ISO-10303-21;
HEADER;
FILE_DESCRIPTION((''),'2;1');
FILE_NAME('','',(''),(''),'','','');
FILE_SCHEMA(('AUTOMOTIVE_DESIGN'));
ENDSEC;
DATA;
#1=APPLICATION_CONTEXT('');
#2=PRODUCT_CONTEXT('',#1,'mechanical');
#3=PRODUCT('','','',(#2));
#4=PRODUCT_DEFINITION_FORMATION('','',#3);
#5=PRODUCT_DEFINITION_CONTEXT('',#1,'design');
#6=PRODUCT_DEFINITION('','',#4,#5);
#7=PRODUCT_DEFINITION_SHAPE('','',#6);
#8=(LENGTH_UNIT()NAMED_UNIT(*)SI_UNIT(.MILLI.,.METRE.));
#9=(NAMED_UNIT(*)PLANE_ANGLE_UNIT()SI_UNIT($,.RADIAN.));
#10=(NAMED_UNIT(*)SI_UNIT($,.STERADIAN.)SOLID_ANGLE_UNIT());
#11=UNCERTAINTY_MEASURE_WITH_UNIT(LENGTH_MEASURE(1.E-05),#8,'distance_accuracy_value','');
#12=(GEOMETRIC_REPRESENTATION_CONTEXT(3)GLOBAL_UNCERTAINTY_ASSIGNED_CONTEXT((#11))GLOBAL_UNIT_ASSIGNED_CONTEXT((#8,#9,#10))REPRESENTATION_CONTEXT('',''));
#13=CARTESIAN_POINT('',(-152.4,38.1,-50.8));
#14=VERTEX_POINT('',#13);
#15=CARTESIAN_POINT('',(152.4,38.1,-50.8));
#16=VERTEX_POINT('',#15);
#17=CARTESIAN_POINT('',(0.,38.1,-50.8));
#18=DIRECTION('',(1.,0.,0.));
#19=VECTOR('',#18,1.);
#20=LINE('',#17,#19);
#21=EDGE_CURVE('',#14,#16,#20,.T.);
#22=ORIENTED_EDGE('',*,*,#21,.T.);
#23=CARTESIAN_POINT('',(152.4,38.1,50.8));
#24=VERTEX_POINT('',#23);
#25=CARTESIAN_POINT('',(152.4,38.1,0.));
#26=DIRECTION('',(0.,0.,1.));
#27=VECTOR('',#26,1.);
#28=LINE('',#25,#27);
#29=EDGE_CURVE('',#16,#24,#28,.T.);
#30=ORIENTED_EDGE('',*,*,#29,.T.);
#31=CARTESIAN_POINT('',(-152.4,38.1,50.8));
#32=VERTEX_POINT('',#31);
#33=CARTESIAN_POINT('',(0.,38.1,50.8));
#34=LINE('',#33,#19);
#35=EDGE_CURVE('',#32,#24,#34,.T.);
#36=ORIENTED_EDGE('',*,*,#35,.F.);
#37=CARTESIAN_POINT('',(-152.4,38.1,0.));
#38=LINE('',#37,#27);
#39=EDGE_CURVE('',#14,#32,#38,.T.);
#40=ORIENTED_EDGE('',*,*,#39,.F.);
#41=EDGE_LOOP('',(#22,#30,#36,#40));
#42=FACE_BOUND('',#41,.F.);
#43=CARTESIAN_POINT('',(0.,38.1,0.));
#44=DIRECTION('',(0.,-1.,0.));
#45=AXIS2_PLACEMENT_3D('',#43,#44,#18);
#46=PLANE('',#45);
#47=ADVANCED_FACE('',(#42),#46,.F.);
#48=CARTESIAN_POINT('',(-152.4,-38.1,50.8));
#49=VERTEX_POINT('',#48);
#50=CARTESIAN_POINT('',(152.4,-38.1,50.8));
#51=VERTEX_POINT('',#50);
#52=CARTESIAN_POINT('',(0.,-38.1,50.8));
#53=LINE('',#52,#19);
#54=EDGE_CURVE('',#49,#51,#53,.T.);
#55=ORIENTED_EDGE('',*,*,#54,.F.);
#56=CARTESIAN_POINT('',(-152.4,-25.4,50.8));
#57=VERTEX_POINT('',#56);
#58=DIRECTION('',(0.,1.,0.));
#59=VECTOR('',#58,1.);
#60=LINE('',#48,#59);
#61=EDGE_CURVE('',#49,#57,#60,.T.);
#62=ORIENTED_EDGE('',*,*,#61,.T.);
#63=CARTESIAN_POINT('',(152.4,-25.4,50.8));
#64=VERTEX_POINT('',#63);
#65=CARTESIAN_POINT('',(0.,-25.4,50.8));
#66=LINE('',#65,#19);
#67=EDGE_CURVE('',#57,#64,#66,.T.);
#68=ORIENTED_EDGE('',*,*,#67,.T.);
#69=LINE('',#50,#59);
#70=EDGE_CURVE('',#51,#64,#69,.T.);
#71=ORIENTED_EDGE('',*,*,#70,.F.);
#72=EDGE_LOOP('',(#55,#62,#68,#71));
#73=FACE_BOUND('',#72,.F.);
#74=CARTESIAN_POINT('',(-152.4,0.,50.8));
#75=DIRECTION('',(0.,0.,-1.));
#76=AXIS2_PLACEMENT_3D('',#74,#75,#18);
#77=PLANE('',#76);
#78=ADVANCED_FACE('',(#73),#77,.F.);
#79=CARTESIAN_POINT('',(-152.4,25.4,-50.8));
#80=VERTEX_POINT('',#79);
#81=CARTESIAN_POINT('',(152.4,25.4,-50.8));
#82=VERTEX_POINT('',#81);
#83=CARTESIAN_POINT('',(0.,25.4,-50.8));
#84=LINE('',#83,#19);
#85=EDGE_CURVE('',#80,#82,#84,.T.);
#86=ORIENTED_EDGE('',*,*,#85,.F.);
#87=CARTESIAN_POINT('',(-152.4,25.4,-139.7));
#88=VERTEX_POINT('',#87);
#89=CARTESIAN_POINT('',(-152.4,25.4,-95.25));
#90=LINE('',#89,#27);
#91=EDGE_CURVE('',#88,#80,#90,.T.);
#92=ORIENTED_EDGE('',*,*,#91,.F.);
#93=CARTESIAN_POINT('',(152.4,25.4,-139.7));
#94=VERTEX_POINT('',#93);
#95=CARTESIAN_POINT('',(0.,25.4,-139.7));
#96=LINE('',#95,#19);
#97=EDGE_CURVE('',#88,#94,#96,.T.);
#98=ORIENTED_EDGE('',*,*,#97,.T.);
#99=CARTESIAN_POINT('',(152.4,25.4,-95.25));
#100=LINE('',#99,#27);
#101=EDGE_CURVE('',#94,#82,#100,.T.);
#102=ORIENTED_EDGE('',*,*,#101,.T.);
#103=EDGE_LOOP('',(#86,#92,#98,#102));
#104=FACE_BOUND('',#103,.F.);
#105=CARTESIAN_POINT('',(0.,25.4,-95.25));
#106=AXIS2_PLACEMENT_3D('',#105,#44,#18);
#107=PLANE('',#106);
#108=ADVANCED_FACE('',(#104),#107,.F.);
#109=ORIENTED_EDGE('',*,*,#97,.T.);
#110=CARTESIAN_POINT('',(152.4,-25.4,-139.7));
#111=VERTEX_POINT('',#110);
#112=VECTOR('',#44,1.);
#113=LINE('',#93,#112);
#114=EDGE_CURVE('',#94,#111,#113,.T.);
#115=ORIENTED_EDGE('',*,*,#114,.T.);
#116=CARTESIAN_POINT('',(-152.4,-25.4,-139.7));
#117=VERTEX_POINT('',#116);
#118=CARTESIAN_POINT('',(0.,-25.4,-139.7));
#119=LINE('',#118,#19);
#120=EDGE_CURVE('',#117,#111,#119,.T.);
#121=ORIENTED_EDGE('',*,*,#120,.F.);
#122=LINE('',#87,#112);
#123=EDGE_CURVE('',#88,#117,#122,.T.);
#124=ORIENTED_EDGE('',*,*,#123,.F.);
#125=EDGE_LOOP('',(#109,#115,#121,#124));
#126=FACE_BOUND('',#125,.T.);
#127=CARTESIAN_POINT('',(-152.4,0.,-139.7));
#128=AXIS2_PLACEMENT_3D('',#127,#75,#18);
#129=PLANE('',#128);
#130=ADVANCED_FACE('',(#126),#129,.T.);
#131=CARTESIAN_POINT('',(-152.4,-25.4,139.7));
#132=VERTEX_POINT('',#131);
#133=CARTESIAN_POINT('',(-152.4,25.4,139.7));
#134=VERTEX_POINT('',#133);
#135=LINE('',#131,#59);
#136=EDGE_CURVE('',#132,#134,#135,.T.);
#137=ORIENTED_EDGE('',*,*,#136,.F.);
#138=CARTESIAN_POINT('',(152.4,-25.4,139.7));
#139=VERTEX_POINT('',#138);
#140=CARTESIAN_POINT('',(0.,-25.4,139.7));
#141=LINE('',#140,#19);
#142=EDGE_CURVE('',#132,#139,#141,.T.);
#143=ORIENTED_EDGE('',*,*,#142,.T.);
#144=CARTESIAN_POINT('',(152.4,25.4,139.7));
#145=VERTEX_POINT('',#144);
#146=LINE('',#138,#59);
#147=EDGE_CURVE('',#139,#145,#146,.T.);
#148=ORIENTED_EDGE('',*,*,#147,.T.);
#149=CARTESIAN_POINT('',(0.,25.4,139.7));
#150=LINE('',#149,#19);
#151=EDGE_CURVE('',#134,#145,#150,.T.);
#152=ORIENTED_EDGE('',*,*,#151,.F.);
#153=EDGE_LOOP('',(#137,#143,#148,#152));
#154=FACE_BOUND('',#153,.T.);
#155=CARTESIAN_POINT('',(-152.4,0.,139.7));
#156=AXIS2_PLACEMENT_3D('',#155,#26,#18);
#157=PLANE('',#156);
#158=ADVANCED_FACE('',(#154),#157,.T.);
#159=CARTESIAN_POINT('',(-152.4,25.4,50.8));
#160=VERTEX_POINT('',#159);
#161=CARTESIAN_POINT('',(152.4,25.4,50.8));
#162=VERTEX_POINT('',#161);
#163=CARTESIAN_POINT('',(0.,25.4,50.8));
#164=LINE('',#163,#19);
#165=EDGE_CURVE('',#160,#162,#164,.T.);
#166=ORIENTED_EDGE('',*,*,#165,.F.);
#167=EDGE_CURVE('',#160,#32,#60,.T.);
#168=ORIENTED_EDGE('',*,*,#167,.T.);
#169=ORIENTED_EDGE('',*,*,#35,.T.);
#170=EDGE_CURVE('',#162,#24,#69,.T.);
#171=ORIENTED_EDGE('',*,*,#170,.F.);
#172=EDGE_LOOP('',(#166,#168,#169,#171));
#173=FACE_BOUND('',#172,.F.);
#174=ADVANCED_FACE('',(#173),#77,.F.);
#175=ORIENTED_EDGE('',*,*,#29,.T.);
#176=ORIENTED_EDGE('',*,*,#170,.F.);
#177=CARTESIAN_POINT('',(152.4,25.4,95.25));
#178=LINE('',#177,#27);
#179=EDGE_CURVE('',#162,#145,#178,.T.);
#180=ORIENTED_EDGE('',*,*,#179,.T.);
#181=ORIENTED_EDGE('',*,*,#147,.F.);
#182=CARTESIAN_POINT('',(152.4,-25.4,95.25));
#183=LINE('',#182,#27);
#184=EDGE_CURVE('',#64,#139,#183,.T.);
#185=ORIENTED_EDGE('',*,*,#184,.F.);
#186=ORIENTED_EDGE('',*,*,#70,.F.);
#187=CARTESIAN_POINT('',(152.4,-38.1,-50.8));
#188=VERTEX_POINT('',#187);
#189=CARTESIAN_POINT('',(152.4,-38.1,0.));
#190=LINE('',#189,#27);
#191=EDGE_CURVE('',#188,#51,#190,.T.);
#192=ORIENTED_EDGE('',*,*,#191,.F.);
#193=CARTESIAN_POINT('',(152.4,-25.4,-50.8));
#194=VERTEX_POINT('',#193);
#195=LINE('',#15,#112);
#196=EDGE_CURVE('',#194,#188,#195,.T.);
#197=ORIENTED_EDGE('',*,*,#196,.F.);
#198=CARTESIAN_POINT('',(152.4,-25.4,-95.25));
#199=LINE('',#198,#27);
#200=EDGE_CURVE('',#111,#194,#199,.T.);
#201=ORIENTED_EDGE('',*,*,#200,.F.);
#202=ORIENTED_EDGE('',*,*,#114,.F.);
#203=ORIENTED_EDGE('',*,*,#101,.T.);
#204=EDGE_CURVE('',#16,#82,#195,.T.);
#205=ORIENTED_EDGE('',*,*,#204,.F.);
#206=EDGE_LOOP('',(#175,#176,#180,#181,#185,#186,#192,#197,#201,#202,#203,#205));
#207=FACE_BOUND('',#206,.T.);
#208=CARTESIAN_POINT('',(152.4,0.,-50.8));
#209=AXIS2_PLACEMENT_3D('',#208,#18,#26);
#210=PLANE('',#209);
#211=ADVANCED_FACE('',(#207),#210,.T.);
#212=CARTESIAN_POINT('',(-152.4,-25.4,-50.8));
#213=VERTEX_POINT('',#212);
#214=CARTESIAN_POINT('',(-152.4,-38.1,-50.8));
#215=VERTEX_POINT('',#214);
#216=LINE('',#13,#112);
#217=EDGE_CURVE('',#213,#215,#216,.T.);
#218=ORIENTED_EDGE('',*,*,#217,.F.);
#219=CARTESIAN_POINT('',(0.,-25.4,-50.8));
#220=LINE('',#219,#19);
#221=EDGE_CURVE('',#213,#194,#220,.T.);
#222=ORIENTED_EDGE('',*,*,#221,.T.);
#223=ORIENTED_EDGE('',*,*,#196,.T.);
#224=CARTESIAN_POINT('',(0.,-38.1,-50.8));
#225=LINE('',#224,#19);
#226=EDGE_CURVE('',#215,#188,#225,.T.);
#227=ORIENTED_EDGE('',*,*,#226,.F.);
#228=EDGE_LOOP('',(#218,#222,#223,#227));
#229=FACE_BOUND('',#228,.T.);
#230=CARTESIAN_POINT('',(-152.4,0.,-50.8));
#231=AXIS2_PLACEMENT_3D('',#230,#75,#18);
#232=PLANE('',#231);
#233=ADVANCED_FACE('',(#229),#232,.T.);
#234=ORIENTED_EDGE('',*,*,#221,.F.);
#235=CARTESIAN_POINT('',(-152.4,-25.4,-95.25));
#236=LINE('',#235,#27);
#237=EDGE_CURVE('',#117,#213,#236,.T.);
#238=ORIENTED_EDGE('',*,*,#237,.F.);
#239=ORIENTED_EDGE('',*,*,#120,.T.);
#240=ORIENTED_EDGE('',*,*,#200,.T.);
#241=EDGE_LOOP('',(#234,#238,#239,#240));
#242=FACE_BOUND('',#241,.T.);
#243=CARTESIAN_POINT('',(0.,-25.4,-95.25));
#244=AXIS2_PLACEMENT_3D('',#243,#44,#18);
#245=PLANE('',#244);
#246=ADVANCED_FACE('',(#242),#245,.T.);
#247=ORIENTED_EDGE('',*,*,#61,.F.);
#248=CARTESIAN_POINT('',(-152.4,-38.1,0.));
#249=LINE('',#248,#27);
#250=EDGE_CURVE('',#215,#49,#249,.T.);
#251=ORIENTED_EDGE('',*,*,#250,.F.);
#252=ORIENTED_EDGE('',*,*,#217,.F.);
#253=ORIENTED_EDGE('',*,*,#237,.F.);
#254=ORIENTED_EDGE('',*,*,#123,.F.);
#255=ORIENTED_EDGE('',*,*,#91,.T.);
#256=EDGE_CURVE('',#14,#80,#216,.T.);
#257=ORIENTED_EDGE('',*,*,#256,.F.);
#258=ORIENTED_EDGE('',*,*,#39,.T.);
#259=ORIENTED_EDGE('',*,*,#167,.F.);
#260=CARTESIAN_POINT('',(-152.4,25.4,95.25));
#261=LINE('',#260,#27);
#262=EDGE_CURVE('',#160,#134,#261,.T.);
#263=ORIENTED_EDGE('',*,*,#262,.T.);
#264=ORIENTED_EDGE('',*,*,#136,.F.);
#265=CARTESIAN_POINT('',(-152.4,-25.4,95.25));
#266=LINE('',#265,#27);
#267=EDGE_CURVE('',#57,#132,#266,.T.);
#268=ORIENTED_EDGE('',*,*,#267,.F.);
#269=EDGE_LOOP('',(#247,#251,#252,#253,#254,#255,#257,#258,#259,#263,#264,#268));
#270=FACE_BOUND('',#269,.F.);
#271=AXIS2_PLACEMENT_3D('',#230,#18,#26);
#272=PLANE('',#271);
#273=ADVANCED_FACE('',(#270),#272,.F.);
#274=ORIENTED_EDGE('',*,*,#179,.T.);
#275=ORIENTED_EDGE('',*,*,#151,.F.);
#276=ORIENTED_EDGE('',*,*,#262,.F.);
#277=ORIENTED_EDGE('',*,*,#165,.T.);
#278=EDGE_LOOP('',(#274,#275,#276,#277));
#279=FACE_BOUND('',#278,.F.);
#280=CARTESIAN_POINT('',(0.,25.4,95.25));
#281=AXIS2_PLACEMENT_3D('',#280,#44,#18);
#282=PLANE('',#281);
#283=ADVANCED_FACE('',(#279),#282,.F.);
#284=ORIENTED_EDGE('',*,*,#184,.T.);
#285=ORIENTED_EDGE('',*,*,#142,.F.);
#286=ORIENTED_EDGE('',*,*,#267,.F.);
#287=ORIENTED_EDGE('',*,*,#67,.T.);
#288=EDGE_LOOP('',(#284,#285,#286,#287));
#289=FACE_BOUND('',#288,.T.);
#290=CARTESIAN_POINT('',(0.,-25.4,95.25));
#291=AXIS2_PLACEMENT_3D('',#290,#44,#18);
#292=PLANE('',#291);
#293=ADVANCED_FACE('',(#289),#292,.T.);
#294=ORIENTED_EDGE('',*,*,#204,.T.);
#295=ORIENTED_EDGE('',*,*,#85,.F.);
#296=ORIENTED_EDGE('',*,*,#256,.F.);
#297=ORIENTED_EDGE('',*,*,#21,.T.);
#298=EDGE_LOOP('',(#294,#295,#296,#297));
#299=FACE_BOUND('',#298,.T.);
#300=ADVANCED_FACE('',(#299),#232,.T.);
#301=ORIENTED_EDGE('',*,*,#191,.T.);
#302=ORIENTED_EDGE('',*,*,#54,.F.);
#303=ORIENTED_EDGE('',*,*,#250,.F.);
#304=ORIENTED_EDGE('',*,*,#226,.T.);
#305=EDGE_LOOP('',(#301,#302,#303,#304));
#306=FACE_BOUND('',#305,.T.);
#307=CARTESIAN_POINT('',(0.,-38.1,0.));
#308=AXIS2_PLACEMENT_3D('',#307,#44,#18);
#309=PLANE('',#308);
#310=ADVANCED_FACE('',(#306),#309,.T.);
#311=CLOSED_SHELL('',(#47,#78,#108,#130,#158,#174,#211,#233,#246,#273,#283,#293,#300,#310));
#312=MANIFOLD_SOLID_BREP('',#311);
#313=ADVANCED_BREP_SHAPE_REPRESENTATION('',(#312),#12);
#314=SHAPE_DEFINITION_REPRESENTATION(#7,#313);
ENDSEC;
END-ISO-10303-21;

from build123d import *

# Parameters (mm, degrees)
F0_W     = 304.8
F0_H     = 101.6
F1_DEPTH = 38.1
F0_H_2   = 88.9
F2_DEPTH = 25.4


with BuildPart() as f1:
    # F0 (on Front) → F1 (new body, symmetric)
    with BuildSketch(Plane.XZ):
        Rectangle(F0_W, F0_H)
    extrude(amount=F1_DEPTH, both=True)

    # F0 (on Front) → F2 (join, symmetric)
    with BuildSketch(Plane.XZ):
        with Locations((0, 95.25)):
            Rectangle(F0_W, F0_H_2)
        with Locations((0, -95.25)):
            Rectangle(F0_W, F0_H_2)
    extrude(amount=F2_DEPTH, both=True)


solid = f1.part
